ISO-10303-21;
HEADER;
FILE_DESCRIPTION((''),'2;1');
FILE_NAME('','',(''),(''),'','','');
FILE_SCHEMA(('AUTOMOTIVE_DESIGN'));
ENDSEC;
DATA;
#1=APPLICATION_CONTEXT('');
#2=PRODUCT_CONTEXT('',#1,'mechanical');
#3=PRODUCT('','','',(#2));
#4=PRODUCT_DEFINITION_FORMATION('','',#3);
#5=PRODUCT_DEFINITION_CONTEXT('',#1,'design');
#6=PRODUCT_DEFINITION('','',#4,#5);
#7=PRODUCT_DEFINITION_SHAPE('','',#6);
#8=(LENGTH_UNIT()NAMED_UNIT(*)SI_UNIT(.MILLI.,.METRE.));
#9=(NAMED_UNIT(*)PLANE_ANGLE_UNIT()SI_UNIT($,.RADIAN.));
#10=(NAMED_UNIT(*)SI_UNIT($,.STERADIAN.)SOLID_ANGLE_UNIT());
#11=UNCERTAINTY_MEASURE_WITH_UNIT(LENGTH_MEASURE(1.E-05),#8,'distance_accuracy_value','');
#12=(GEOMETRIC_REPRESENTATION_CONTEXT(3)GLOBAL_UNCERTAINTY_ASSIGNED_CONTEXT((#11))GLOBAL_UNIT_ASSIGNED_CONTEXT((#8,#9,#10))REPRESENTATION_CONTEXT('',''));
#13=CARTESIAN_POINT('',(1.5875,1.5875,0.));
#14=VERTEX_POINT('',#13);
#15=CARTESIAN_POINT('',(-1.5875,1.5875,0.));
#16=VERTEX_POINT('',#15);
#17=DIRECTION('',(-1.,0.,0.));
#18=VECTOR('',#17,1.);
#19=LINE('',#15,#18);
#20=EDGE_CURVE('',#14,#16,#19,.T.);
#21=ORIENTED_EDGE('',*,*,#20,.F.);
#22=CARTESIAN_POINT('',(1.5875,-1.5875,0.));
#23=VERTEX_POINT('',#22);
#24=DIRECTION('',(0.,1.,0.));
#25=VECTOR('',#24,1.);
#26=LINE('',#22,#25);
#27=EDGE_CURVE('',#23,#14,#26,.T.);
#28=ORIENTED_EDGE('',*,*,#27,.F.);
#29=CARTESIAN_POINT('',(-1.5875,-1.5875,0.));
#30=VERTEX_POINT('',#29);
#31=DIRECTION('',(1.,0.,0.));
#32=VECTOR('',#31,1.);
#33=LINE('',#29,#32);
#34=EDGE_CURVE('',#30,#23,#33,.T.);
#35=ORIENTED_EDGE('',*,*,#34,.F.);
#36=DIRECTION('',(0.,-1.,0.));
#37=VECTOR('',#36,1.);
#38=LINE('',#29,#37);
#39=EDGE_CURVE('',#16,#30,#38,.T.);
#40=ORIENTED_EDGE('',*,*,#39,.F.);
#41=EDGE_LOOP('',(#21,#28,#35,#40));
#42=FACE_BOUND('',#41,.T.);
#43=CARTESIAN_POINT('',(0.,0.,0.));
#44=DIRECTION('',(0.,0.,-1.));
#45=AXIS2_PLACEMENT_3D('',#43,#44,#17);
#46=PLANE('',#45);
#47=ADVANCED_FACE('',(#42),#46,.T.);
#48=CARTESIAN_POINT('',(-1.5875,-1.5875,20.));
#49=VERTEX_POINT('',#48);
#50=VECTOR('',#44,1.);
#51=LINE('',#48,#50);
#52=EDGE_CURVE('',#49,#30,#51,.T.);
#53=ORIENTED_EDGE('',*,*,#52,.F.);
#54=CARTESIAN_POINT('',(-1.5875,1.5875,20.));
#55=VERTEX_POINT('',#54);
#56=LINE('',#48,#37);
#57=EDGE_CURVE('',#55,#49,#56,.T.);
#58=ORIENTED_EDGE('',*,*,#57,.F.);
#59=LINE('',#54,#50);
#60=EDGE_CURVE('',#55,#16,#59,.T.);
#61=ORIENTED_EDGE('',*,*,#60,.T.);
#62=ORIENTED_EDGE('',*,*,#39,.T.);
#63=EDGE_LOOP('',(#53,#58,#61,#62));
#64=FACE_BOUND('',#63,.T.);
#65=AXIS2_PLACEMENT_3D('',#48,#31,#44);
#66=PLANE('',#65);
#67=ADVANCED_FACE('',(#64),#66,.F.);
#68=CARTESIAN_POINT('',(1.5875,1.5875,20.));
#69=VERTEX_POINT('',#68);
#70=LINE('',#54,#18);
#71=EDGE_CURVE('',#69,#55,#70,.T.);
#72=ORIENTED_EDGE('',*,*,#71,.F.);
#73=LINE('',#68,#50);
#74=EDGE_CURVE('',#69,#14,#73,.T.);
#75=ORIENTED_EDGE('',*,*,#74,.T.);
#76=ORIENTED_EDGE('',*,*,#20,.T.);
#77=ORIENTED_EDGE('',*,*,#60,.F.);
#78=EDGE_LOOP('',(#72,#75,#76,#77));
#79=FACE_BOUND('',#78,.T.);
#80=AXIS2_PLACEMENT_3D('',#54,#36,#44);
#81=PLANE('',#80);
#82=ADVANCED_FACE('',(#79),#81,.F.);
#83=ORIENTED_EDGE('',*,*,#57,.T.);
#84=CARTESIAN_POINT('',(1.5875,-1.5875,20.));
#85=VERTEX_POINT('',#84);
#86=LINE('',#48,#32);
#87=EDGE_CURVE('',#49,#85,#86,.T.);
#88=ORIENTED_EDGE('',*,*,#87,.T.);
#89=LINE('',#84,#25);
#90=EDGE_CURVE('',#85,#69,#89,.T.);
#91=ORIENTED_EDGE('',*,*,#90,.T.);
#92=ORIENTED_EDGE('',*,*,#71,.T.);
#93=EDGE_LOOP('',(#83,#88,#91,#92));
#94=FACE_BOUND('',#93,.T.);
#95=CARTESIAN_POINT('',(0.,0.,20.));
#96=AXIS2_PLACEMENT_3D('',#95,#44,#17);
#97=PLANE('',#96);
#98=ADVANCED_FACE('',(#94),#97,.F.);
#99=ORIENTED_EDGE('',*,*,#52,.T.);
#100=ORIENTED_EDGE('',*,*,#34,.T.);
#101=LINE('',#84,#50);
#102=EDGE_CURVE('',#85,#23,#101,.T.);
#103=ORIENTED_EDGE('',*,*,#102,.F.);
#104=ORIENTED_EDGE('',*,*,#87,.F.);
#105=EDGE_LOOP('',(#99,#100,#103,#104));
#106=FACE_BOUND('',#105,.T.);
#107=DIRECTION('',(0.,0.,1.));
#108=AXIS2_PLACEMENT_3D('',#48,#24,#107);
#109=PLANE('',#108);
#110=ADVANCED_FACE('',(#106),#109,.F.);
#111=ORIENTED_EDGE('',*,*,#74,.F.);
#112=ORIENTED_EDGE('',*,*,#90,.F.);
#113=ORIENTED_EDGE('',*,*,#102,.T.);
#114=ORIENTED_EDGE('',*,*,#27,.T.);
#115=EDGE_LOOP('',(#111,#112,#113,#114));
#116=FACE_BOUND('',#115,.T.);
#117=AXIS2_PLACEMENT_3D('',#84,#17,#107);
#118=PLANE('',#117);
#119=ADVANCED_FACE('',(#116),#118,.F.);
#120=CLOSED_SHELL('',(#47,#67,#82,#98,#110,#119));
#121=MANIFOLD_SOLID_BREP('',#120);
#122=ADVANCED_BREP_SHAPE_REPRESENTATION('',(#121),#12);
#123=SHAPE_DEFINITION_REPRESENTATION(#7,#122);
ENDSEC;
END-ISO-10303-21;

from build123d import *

# Parameters (mm, degrees)
SKETCH1_W           = 3.175
SKETCH1_H           = 3.175
BOSS_EXTRUDE1_DEPTH = 20


with BuildPart() as part:
    # Sketch1 → Boss-Extrude1 (new body)
    with BuildSketch(Plane.XY):
        Rectangle(SKETCH1_W, SKETCH1_H)
    extrude(amount=BOSS_EXTRUDE1_DEPTH)


solid = part.part
